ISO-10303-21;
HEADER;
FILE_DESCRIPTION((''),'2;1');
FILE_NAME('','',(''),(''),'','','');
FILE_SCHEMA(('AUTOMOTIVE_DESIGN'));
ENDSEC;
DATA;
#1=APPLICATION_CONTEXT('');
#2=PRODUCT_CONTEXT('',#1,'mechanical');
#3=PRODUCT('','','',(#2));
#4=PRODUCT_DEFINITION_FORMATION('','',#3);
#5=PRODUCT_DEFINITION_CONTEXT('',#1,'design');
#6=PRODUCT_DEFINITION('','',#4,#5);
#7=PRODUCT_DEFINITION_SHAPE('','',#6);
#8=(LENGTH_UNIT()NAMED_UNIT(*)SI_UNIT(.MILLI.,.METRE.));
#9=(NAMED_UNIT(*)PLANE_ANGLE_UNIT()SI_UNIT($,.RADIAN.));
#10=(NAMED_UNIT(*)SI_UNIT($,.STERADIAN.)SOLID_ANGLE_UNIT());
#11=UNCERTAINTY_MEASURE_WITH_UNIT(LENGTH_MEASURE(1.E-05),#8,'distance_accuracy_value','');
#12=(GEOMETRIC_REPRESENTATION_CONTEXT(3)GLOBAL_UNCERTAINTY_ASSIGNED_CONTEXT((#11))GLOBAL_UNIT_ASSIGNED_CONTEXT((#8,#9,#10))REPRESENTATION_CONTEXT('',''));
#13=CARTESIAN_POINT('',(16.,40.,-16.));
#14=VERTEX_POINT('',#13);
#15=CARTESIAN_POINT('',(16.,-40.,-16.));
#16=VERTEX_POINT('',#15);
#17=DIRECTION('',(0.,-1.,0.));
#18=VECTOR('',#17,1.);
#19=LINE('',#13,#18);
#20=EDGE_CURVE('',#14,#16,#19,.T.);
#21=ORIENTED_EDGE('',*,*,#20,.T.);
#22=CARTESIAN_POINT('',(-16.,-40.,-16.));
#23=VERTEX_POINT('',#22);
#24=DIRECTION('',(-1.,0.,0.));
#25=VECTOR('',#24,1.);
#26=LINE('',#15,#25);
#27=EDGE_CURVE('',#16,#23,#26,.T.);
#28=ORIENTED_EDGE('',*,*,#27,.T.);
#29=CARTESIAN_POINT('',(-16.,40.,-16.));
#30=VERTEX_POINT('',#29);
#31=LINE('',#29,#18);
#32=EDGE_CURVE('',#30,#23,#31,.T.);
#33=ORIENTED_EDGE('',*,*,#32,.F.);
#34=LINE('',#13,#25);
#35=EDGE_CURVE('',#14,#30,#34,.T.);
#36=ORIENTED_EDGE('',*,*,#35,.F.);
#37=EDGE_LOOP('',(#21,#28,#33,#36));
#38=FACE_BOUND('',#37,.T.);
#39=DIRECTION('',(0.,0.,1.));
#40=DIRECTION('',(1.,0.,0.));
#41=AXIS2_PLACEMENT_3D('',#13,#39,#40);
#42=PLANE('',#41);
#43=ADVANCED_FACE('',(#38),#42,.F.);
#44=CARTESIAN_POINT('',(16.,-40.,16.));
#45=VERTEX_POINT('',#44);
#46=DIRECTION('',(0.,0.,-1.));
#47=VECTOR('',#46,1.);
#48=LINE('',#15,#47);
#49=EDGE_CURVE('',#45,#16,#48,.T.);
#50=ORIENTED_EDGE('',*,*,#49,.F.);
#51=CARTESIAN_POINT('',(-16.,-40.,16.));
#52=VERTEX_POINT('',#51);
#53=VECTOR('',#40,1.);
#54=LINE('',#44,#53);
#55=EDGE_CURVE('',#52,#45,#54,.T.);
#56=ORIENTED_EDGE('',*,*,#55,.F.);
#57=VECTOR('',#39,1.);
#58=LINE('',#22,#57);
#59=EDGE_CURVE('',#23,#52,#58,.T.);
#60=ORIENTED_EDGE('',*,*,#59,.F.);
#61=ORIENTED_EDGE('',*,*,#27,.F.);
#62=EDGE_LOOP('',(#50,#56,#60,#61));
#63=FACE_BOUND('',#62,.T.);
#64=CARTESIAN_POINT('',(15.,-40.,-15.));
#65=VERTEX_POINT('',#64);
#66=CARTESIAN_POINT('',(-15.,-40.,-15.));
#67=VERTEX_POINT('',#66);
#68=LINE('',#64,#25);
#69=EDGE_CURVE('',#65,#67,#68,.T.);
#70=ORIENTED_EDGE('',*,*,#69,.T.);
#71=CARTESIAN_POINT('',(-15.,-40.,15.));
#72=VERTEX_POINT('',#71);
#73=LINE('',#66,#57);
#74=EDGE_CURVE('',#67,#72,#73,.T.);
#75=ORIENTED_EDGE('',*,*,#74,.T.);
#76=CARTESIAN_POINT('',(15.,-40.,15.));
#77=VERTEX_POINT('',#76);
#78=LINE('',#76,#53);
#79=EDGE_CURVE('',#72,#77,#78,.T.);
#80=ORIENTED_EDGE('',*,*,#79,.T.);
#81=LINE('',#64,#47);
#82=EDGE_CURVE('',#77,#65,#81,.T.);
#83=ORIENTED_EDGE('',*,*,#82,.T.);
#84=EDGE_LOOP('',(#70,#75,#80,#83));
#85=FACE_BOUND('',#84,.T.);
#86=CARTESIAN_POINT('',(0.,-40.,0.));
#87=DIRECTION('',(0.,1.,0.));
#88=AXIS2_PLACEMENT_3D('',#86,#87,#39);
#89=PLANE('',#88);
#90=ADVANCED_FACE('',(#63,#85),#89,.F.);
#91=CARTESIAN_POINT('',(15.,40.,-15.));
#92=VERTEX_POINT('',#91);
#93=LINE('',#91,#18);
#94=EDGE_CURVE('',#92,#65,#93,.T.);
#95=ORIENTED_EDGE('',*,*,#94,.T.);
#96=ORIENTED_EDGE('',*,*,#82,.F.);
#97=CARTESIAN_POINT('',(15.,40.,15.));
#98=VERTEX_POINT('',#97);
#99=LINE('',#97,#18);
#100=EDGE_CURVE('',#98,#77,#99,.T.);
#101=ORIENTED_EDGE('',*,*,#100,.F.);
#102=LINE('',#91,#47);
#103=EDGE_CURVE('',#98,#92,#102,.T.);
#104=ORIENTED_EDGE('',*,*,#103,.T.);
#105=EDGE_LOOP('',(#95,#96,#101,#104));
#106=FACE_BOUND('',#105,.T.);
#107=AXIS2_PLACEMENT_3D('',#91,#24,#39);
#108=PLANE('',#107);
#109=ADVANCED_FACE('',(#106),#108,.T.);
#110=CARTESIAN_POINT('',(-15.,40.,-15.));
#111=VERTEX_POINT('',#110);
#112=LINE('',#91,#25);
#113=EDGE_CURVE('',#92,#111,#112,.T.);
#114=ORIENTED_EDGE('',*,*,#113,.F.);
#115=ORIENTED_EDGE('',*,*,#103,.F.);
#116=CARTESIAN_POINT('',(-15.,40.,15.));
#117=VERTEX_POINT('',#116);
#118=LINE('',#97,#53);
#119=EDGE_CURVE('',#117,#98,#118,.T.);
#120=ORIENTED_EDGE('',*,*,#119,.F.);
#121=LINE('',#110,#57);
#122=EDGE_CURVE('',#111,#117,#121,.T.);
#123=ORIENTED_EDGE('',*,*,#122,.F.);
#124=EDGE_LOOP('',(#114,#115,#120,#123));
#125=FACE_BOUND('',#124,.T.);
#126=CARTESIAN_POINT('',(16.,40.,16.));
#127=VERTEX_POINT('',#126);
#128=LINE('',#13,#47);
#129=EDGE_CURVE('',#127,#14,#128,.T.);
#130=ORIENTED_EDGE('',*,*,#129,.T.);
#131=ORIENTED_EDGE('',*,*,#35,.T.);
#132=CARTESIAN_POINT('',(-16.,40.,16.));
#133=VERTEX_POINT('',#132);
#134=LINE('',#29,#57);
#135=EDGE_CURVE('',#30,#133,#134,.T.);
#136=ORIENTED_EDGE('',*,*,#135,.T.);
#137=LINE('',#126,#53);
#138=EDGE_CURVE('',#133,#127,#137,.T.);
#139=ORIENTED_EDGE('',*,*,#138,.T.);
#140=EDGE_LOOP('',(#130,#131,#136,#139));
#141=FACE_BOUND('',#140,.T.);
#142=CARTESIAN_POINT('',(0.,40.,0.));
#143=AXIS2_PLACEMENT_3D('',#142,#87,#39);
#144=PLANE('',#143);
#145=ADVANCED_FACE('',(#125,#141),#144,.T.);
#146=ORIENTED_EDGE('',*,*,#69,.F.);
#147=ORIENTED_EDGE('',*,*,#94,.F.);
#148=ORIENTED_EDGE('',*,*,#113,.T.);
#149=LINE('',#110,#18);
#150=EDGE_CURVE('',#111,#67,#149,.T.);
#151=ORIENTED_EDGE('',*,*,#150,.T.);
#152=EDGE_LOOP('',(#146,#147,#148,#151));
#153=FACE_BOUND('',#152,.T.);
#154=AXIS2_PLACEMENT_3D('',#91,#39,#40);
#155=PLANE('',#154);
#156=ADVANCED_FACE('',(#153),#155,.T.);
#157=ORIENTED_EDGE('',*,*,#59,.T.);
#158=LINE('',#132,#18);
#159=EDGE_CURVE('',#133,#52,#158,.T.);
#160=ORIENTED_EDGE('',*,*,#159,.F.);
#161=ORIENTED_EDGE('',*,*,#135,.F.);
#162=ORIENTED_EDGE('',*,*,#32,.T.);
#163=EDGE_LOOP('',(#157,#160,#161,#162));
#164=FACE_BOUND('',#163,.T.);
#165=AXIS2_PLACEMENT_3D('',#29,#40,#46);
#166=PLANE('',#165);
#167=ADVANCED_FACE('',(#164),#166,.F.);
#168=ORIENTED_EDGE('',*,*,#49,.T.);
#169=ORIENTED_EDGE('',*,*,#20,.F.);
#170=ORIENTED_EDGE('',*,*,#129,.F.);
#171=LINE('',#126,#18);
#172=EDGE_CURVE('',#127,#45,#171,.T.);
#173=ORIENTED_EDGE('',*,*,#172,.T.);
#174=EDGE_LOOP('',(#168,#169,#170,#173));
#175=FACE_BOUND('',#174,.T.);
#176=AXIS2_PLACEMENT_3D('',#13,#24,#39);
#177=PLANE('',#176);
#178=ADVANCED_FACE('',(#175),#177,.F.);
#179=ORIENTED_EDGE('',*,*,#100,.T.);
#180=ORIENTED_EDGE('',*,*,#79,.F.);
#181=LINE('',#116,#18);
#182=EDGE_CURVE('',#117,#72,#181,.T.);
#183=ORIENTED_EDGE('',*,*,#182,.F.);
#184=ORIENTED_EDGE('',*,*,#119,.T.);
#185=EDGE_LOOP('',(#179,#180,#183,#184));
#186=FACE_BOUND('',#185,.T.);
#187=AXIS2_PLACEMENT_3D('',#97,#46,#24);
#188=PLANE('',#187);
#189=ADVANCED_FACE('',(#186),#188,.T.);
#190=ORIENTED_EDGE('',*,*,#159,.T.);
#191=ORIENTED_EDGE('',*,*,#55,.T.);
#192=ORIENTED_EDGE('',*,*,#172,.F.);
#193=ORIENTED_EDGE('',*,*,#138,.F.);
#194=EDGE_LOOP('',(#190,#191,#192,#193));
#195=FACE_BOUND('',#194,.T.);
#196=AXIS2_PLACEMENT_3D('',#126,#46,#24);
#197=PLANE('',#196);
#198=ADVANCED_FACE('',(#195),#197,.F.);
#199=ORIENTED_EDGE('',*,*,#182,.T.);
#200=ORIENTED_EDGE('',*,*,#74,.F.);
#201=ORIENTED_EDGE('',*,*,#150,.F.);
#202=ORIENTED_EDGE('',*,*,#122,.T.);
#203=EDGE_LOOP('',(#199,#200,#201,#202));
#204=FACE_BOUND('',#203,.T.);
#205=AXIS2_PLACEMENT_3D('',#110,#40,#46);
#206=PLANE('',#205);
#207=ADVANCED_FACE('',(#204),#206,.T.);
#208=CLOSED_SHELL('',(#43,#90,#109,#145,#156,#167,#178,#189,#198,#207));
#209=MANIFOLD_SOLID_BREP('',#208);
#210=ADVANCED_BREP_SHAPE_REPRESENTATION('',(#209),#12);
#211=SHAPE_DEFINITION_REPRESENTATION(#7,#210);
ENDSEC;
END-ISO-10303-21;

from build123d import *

# Parameters (mm, degrees)
SKETCH1_W           = 32
SKETCH1_H           = 32
SKETCH1_W_2         = 30
SKETCH1_H_2         = 30
BOSS_EXTRUDE1_DEPTH = 40


with BuildPart() as part:
    # Sketch1 → Boss-Extrude1 (new body, symmetric)
    with BuildSketch(Plane(origin=(0, 0, 0), x_dir=(1, 0, 0), z_dir=(0, 1, 0))):
        Rectangle(SKETCH1_W, SKETCH1_H)
        Rectangle(SKETCH1_W_2, SKETCH1_H_2, mode=Mode.SUBTRACT)
    extrude(amount=BOSS_EXTRUDE1_DEPTH, both=True)


solid = part.part
